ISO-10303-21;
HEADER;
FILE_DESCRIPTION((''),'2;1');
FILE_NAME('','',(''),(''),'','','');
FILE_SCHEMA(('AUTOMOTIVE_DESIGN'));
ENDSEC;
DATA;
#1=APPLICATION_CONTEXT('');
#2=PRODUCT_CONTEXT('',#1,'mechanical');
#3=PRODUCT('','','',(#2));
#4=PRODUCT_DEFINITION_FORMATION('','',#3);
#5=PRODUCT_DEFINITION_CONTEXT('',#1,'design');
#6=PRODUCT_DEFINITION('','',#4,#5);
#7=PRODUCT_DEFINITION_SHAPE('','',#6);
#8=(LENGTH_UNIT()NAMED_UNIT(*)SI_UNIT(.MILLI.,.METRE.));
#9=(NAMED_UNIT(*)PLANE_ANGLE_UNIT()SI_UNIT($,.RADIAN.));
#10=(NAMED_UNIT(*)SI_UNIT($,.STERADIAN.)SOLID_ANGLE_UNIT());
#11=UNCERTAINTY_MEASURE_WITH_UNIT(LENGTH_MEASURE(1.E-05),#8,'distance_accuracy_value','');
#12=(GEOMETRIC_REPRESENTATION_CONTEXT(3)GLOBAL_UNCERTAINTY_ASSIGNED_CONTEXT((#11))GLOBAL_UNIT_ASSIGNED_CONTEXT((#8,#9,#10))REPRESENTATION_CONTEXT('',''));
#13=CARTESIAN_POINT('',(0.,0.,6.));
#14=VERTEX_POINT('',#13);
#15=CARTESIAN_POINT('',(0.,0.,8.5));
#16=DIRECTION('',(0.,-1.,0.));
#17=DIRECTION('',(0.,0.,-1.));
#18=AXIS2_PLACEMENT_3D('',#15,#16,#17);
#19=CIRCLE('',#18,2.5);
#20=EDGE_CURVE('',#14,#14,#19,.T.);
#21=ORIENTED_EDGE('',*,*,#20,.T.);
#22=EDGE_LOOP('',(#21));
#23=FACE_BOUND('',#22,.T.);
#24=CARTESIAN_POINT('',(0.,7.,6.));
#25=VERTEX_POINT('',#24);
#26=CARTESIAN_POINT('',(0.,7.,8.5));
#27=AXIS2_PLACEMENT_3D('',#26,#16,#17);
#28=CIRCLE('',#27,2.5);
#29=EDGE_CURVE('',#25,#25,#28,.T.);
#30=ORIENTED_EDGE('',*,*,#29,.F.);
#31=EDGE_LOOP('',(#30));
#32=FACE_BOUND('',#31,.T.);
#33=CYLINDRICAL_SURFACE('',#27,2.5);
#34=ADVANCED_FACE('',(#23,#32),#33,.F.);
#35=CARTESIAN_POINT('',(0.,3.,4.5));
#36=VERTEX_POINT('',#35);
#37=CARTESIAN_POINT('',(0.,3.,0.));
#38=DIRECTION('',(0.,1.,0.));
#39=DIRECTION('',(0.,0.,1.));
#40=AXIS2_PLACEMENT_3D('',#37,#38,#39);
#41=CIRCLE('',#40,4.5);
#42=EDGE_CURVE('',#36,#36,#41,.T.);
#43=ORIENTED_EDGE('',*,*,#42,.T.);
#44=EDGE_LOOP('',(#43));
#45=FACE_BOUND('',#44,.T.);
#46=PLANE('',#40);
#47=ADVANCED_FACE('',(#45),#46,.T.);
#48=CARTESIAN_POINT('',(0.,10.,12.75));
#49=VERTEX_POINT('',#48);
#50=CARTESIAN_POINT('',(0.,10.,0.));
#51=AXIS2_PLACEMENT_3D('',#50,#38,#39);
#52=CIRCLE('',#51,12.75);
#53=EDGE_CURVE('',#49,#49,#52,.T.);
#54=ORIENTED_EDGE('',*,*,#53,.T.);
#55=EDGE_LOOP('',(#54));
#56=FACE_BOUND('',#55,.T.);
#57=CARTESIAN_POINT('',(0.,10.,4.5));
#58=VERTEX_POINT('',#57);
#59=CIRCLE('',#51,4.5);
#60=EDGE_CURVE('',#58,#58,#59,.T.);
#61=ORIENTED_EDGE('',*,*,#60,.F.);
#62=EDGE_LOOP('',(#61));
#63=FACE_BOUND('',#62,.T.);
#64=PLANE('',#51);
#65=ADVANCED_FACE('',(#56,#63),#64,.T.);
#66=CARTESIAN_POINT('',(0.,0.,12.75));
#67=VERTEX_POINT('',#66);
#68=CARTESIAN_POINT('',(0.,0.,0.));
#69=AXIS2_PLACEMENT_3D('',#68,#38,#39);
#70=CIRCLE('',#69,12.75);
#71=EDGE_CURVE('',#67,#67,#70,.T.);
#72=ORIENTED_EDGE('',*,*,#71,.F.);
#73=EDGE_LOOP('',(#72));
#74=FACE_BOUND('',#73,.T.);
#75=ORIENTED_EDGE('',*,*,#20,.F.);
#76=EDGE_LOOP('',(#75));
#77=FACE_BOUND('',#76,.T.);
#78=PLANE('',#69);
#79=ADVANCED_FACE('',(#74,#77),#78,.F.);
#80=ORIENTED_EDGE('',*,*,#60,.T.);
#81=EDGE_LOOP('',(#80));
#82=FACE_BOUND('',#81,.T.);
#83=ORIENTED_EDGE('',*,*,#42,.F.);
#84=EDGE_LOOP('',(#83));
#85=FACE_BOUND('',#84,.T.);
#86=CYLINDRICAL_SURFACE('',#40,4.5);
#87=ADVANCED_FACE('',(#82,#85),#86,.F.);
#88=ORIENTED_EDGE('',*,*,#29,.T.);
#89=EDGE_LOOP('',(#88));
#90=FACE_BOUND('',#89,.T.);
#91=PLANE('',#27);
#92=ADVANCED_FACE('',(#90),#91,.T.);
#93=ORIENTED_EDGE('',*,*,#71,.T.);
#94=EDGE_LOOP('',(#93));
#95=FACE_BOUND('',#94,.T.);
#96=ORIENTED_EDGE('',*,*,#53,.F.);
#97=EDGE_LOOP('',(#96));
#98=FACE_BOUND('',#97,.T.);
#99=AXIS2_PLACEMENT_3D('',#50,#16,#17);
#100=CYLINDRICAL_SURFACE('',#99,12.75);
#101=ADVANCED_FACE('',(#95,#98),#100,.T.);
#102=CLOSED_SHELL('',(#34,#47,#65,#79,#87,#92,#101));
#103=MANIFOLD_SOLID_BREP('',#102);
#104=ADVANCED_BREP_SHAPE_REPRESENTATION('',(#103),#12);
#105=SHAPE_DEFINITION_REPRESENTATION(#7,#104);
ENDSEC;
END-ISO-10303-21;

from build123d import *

# Parameters (mm, degrees)
SKETCH1_R           = 12.75
BOSS_EXTRUDE1_DEPTH = 10
SKETCH2_R           = 4.5
CUT_EXTRUDE1_DEPTH  = 7
SKETCH3_R           = 2.5
CUT_EXTRUDE2_DEPTH  = 7


with BuildPart() as part:
    # Sketch1 → Boss-Extrude1 (new body)
    with BuildSketch(Plane(origin=(0, 0, 0), x_dir=(1, 0, 0), z_dir=(0, 1, 0))):
        with Locations(Location((0, 0, 0), (0, 0, 270))):
            Circle(SKETCH1_R)
    extrude(amount=BOSS_EXTRUDE1_DEPTH)

    # Sketch2 → Cut-Extrude1 (cut)
    with BuildSketch(Plane(origin=(0, 10, 0), x_dir=(1, 0, 0), z_dir=(0, 1, 0))):
        with Locations(Location((0, 0, 0), (0, 0, 270))):
            Circle(SKETCH2_R)
    extrude(amount=-CUT_EXTRUDE1_DEPTH, mode=Mode.SUBTRACT)

    # Sketch3 → Cut-Extrude2 (cut)
    with BuildSketch(Plane.XZ):
        with Locations(Location((0, 8.5, 0), (0, 0, 270))):
            Circle(SKETCH3_R)
    extrude(amount=-CUT_EXTRUDE2_DEPTH, mode=Mode.SUBTRACT)


solid = part.part
